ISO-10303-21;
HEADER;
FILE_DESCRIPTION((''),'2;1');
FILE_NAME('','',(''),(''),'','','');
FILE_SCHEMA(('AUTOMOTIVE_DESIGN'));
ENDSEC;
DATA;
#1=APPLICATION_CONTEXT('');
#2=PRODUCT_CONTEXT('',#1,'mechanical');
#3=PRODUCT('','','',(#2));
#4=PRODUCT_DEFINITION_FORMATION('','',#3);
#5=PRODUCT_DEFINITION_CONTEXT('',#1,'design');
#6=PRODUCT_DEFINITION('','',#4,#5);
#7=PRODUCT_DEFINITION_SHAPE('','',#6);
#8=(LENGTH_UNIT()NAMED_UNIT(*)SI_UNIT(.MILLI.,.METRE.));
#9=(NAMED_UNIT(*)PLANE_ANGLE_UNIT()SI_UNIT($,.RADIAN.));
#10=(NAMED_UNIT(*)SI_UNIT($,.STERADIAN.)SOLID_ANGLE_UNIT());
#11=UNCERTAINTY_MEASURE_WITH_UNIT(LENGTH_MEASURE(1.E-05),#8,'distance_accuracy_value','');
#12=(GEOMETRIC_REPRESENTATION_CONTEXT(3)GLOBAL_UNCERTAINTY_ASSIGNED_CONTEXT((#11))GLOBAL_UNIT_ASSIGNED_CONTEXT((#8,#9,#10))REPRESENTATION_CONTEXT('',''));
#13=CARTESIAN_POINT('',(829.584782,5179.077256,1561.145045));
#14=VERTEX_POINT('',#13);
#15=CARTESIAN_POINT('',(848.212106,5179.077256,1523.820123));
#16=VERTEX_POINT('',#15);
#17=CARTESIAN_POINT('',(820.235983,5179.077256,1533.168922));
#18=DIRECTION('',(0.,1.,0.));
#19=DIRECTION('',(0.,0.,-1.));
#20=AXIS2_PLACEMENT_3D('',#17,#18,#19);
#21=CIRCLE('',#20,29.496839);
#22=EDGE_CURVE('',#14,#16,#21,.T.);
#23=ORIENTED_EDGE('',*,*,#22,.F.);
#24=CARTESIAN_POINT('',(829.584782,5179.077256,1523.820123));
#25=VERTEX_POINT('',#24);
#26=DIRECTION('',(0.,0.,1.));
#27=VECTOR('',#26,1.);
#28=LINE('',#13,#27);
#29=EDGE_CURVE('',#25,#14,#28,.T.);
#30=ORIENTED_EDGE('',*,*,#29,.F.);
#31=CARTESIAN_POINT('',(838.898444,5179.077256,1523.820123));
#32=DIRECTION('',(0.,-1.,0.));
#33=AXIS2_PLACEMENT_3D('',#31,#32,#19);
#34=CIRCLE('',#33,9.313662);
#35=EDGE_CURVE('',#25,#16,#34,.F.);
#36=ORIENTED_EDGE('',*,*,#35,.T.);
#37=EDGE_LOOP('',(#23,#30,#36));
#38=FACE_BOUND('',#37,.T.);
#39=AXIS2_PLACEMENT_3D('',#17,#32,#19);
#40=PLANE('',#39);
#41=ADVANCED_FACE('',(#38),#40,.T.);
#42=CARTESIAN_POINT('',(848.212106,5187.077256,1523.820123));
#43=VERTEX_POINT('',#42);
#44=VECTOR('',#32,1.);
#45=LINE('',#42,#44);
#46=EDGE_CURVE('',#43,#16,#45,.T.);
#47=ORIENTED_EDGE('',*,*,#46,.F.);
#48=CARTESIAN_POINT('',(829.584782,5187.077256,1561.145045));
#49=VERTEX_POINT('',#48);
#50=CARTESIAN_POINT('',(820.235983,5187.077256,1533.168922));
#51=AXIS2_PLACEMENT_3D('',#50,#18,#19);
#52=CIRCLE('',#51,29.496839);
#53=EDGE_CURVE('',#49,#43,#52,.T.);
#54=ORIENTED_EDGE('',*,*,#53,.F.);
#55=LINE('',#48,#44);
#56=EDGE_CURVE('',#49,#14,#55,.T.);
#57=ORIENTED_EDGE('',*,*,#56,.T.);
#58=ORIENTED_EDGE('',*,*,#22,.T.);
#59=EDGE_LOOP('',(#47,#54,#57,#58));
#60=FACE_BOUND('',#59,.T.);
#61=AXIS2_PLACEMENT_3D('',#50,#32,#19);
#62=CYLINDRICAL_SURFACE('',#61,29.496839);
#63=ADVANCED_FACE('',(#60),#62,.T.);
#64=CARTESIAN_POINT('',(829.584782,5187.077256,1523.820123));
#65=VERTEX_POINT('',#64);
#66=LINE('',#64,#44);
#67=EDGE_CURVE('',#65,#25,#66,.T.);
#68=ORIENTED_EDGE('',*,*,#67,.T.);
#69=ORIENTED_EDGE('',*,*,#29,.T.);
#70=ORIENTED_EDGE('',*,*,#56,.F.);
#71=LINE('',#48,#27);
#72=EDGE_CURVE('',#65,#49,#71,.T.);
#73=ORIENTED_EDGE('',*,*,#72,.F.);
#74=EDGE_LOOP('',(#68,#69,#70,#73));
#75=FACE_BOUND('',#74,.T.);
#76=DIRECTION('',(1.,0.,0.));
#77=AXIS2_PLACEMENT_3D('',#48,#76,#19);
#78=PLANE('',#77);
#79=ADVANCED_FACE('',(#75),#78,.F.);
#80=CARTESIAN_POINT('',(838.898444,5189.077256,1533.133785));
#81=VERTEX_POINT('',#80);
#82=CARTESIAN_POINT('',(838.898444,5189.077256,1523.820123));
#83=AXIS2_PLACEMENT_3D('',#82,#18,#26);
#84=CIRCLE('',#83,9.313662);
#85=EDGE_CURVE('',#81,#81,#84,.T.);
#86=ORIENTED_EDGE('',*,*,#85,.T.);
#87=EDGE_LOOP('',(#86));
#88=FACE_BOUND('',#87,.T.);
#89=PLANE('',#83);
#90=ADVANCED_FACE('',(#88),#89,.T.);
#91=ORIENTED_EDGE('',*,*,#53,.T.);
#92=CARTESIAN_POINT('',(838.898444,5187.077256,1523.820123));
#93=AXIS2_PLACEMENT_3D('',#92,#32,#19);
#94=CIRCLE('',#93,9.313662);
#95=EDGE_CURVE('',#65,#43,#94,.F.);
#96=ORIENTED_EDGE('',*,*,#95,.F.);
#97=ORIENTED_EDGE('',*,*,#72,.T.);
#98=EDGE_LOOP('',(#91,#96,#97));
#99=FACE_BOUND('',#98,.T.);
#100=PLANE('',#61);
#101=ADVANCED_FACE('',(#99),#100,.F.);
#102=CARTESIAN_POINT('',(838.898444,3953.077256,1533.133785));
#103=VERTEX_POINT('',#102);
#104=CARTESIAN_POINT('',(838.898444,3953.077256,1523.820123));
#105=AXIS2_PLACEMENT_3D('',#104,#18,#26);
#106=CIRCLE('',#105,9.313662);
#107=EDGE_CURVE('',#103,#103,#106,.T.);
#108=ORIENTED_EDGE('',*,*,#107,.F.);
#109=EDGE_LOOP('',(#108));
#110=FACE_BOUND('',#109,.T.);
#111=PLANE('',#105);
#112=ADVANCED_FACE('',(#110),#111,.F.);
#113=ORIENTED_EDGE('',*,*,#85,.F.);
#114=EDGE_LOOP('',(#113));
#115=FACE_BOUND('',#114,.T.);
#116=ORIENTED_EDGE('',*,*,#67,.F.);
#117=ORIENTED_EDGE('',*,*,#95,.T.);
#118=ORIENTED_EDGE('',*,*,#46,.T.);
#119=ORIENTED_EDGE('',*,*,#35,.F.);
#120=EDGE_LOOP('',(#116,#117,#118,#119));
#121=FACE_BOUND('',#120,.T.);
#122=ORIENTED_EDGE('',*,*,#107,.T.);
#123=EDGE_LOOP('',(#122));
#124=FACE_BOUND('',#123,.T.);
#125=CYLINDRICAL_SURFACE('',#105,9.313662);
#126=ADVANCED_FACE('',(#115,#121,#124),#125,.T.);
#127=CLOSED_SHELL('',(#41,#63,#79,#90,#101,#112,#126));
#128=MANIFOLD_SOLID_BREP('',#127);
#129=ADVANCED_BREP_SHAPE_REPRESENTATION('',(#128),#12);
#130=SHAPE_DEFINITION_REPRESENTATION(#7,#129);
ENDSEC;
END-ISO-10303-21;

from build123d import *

# Parameters (mm, degrees)
BOSS_EXTRUDE1_DEPTH      = 950
BOSS_EXTRUDE1_DEPTH_BACK = 286
SKETCH1_R                = 9.313662058
BOSS_EXTRUDE2_DEPTH      = 3
BOSS_EXTRUDE2_DEPTH_BACK = 5
BOSS_EXTRUDE2_START      = -5


with BuildPart() as part:
    # Sketch1 → Boss-Extrude1 (new, two sides: drawn at the far end of the back side and taken through both)
    with BuildSketch(Plane(origin=(0, 4239.077255807, 0), x_dir=(1, 0, 0), z_dir=(0, 1, 0)).offset(-BOSS_EXTRUDE1_DEPTH_BACK)):
        with Locations(Location((838.898443774, -1523.820122511, 0), (0, 0, 270))):
            Circle(SKETCH1_R)
    extrude(amount=BOSS_EXTRUDE1_DEPTH + BOSS_EXTRUDE1_DEPTH_BACK)

    # Sketch2 → Boss-Extrude2 (add, two sides: drawn at the far end of the back side and taken through both)
    with BuildSketch(Plane(origin=(0, 5189.077255807, 0), x_dir=(1, 0, 0), z_dir=(0, 1, 0)).offset(BOSS_EXTRUDE2_START - BOSS_EXTRUDE2_DEPTH_BACK)):
        with BuildLine():
            Line((829.584781716, -1561.145044768), (829.584781716, -1523.820122511))
            Line((829.584781716, -1523.820122511), (848.212105832, -1523.820122511))
            ThreePointArc((848.212105832, -1523.820122511), (846.628688281, -1546.340428779), (829.584781716, -1561.145044768))
        make_face()
    extrude(amount=BOSS_EXTRUDE2_DEPTH + BOSS_EXTRUDE2_DEPTH_BACK)


solid = part.part
